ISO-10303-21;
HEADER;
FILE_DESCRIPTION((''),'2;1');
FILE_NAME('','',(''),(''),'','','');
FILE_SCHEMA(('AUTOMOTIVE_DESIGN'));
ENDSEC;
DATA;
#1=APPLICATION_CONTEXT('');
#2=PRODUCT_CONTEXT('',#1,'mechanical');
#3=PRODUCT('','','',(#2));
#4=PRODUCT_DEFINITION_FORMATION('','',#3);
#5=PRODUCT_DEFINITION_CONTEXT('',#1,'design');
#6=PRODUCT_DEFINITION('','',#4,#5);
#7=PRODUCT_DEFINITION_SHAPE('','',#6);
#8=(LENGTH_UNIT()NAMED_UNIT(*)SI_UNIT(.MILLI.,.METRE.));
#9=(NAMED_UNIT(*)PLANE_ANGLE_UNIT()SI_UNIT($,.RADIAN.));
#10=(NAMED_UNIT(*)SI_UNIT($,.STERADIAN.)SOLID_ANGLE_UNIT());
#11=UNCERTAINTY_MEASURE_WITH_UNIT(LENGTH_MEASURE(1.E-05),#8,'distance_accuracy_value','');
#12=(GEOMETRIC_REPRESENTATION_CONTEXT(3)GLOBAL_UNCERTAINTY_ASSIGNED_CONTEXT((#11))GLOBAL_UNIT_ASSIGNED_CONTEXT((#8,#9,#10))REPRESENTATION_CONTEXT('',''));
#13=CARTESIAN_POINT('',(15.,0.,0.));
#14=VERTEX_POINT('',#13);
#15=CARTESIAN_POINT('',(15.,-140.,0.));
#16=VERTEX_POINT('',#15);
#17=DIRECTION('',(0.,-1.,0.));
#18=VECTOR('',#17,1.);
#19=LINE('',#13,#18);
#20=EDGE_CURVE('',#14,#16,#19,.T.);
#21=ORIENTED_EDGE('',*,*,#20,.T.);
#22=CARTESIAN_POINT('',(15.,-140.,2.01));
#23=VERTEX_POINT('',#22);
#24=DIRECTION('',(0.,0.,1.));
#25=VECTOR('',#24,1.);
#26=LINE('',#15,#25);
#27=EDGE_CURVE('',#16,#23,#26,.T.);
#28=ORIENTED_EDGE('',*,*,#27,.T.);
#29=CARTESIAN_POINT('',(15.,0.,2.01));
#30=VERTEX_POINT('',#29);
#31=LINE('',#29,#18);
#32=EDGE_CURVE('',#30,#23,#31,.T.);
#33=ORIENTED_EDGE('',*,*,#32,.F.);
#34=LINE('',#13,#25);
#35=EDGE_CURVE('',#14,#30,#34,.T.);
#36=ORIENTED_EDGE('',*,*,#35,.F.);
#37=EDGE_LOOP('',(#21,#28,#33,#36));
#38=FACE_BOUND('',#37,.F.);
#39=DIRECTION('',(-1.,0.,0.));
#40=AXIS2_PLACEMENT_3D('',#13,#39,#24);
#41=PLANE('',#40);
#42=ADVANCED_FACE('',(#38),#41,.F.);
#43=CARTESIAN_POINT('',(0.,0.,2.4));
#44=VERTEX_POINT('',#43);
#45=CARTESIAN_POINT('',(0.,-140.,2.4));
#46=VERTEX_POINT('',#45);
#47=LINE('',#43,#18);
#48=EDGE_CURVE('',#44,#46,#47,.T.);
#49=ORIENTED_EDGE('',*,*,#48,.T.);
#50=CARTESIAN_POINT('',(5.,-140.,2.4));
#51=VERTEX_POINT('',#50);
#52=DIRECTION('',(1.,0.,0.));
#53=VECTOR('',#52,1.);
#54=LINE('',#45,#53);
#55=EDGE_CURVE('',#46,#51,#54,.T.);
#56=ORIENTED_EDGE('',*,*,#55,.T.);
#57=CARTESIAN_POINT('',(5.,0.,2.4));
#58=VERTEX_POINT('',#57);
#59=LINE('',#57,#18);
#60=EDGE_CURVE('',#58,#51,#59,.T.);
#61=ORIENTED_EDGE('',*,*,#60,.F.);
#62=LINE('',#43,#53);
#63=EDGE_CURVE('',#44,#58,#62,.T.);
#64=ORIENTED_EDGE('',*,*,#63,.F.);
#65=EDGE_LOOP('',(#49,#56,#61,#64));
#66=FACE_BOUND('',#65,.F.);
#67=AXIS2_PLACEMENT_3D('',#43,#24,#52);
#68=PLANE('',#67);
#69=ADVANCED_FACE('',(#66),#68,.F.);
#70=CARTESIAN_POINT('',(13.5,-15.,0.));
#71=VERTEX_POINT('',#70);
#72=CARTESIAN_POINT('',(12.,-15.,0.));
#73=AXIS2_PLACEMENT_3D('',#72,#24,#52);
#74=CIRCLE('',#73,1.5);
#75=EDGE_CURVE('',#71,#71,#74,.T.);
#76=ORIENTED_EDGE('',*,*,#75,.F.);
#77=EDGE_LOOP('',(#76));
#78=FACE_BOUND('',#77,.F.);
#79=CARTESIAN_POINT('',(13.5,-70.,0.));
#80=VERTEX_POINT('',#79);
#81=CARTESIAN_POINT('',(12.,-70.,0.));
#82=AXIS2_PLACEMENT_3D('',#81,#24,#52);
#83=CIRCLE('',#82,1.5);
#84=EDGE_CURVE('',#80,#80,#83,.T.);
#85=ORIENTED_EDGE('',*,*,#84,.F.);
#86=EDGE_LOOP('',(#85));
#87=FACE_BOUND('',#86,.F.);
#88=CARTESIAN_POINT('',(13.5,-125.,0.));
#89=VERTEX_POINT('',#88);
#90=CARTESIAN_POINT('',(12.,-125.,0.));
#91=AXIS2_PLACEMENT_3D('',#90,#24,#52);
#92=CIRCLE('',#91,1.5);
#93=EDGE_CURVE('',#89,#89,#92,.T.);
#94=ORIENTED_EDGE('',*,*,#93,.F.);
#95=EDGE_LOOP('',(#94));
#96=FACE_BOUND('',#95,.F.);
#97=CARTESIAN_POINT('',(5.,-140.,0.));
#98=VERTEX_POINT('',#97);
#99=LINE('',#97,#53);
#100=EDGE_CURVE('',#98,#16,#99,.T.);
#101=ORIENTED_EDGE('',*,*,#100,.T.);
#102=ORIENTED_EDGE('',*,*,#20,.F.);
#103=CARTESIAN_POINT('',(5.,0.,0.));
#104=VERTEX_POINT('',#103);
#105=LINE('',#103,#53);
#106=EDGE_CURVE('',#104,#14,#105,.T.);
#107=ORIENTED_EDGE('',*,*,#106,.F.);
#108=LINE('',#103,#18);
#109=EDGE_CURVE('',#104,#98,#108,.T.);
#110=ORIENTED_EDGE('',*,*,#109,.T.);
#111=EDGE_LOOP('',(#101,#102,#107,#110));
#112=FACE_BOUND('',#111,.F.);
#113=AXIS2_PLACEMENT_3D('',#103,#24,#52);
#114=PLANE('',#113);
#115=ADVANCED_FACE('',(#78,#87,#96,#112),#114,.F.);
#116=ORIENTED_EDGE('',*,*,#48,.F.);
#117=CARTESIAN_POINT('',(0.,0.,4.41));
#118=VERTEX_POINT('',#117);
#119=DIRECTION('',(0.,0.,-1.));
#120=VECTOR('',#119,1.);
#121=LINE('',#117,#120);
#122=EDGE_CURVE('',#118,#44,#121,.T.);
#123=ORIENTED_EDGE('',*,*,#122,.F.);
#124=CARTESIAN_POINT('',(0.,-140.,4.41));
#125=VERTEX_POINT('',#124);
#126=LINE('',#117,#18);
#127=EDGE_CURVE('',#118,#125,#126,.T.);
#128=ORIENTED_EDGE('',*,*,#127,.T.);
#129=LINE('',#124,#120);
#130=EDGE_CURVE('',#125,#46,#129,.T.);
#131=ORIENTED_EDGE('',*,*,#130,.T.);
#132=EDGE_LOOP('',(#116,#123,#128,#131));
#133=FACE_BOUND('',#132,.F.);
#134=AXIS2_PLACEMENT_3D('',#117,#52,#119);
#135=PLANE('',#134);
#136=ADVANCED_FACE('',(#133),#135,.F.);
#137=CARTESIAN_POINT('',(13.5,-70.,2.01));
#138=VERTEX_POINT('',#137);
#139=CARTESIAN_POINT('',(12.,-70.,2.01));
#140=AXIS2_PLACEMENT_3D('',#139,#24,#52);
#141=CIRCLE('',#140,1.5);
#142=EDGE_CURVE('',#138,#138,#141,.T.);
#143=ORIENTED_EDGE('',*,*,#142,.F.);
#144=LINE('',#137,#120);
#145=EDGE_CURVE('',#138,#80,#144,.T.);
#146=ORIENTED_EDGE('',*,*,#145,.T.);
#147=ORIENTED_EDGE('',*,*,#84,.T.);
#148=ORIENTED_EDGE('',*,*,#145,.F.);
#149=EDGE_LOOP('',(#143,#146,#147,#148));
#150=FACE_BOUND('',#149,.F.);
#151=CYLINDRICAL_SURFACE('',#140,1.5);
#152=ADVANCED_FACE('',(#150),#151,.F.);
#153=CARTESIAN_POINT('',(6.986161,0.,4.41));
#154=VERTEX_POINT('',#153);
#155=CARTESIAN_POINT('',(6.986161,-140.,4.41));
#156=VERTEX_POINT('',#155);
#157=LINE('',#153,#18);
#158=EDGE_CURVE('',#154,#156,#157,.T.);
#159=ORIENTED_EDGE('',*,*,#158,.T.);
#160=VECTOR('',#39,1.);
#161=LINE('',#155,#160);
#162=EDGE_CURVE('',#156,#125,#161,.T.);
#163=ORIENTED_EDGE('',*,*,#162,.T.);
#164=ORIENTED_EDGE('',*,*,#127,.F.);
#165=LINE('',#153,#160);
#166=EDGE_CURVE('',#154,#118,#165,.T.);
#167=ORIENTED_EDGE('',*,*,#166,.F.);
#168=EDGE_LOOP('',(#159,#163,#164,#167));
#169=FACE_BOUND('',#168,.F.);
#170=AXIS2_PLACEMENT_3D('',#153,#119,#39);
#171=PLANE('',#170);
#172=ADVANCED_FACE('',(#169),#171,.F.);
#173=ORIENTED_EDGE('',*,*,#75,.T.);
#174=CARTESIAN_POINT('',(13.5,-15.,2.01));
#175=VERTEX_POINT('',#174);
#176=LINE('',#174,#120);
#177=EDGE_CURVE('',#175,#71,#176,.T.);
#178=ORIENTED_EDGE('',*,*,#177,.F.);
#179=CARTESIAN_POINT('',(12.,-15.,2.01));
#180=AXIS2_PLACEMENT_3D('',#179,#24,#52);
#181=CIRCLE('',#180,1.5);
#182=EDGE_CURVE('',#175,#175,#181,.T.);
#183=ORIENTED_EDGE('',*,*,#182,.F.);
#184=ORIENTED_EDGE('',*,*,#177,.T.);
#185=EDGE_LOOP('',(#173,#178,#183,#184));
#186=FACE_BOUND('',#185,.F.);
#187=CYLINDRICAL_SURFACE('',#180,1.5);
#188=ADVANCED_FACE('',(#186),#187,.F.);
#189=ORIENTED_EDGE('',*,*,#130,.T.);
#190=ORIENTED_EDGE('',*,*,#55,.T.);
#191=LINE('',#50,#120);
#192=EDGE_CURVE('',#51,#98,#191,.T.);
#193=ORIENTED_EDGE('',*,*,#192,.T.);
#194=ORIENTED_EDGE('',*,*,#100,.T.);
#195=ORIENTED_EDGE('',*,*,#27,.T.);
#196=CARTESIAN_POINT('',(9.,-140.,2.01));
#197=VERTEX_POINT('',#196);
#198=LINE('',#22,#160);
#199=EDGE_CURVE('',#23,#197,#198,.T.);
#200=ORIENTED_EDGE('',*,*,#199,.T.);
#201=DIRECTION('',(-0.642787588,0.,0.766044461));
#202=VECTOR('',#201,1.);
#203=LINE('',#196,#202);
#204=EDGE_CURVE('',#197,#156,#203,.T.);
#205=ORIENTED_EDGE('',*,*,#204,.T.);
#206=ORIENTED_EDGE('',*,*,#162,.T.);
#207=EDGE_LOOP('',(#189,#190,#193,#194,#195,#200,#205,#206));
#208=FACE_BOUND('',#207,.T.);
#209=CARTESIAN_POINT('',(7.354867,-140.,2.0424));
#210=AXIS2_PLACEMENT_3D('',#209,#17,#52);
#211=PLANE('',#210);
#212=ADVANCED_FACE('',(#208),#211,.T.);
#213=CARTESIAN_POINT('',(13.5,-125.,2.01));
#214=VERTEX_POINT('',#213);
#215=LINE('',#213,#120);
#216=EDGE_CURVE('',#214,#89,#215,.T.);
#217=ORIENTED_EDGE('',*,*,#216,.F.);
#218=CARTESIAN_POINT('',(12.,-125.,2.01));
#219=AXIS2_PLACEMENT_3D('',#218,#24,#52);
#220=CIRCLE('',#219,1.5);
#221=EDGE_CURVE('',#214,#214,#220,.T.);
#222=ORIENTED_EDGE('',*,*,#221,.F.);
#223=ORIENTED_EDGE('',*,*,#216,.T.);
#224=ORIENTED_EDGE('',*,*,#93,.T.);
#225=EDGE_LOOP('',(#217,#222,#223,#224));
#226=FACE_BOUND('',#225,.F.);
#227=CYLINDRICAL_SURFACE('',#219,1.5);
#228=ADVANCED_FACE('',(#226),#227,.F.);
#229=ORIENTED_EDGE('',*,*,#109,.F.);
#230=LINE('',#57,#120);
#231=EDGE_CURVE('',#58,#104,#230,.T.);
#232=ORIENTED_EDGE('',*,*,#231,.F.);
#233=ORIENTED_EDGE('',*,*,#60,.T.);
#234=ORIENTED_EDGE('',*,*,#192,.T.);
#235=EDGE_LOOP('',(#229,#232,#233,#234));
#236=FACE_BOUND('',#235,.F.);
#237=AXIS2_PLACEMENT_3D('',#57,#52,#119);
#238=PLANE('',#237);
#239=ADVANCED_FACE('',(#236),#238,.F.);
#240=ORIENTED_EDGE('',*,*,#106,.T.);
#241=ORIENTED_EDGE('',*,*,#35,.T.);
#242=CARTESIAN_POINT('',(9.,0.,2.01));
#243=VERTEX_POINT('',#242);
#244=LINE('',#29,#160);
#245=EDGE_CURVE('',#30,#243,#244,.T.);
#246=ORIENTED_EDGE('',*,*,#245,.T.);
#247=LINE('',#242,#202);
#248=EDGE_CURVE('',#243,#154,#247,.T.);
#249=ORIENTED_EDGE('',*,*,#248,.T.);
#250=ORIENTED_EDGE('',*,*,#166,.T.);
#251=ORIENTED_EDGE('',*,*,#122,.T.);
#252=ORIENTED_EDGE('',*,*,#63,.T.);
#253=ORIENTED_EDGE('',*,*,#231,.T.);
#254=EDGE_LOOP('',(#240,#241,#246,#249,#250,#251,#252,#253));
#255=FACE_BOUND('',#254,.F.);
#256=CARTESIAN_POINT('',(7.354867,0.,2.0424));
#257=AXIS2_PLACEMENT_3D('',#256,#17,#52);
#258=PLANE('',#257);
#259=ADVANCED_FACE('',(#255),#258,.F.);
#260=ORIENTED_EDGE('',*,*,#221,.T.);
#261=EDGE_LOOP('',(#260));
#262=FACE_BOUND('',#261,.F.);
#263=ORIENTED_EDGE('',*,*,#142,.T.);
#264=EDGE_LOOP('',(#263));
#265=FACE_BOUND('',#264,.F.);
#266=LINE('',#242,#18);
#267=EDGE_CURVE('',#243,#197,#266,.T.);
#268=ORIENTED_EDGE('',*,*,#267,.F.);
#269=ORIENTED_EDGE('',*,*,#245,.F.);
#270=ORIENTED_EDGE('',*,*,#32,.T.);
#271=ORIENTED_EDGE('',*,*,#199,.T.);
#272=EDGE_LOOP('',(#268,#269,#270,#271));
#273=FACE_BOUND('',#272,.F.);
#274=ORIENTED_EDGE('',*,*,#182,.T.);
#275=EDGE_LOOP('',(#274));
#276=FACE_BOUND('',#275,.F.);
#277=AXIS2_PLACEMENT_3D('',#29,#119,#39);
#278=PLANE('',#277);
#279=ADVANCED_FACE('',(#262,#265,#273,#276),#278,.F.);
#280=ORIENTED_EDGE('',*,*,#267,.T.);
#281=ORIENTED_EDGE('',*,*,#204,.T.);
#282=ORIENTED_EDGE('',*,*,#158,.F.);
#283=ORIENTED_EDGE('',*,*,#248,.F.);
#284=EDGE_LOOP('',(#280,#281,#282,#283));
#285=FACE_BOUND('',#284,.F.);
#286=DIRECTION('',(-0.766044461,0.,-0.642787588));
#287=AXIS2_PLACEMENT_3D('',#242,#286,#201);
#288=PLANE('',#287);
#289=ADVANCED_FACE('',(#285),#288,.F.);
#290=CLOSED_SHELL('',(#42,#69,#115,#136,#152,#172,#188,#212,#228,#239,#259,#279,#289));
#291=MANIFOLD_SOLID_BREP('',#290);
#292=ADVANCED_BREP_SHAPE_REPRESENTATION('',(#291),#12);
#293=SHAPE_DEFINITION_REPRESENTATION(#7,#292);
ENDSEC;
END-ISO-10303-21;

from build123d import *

# Parameters (mm, degrees)
F1_DEPTH = 140
F2_R     = 1.5
F3_DEPTH = 25


with BuildPart() as f1:
    # F0 (on Front) → F1 (new body)
    with BuildSketch(Plane.XZ):
        Polygon((0, 4.41), (0, 2.4), (5, 2.4), (5, 0), (15, 0), (15, 2.01), (9, 2.01), (6.986161, 4.41), align=None)
    extrude(amount=F1_DEPTH)

    # F2 (on face) → F3 (cut)
    with BuildSketch(Plane.XY.offset(2.01)):
        with Locations((12, -125)):
            Circle(F2_R)
        with Locations((12, -70)):
            Circle(F2_R)
        with Locations((12, -15)):
            Circle(F2_R)
    extrude(amount=-F3_DEPTH, mode=Mode.SUBTRACT)


solid = f1.part
